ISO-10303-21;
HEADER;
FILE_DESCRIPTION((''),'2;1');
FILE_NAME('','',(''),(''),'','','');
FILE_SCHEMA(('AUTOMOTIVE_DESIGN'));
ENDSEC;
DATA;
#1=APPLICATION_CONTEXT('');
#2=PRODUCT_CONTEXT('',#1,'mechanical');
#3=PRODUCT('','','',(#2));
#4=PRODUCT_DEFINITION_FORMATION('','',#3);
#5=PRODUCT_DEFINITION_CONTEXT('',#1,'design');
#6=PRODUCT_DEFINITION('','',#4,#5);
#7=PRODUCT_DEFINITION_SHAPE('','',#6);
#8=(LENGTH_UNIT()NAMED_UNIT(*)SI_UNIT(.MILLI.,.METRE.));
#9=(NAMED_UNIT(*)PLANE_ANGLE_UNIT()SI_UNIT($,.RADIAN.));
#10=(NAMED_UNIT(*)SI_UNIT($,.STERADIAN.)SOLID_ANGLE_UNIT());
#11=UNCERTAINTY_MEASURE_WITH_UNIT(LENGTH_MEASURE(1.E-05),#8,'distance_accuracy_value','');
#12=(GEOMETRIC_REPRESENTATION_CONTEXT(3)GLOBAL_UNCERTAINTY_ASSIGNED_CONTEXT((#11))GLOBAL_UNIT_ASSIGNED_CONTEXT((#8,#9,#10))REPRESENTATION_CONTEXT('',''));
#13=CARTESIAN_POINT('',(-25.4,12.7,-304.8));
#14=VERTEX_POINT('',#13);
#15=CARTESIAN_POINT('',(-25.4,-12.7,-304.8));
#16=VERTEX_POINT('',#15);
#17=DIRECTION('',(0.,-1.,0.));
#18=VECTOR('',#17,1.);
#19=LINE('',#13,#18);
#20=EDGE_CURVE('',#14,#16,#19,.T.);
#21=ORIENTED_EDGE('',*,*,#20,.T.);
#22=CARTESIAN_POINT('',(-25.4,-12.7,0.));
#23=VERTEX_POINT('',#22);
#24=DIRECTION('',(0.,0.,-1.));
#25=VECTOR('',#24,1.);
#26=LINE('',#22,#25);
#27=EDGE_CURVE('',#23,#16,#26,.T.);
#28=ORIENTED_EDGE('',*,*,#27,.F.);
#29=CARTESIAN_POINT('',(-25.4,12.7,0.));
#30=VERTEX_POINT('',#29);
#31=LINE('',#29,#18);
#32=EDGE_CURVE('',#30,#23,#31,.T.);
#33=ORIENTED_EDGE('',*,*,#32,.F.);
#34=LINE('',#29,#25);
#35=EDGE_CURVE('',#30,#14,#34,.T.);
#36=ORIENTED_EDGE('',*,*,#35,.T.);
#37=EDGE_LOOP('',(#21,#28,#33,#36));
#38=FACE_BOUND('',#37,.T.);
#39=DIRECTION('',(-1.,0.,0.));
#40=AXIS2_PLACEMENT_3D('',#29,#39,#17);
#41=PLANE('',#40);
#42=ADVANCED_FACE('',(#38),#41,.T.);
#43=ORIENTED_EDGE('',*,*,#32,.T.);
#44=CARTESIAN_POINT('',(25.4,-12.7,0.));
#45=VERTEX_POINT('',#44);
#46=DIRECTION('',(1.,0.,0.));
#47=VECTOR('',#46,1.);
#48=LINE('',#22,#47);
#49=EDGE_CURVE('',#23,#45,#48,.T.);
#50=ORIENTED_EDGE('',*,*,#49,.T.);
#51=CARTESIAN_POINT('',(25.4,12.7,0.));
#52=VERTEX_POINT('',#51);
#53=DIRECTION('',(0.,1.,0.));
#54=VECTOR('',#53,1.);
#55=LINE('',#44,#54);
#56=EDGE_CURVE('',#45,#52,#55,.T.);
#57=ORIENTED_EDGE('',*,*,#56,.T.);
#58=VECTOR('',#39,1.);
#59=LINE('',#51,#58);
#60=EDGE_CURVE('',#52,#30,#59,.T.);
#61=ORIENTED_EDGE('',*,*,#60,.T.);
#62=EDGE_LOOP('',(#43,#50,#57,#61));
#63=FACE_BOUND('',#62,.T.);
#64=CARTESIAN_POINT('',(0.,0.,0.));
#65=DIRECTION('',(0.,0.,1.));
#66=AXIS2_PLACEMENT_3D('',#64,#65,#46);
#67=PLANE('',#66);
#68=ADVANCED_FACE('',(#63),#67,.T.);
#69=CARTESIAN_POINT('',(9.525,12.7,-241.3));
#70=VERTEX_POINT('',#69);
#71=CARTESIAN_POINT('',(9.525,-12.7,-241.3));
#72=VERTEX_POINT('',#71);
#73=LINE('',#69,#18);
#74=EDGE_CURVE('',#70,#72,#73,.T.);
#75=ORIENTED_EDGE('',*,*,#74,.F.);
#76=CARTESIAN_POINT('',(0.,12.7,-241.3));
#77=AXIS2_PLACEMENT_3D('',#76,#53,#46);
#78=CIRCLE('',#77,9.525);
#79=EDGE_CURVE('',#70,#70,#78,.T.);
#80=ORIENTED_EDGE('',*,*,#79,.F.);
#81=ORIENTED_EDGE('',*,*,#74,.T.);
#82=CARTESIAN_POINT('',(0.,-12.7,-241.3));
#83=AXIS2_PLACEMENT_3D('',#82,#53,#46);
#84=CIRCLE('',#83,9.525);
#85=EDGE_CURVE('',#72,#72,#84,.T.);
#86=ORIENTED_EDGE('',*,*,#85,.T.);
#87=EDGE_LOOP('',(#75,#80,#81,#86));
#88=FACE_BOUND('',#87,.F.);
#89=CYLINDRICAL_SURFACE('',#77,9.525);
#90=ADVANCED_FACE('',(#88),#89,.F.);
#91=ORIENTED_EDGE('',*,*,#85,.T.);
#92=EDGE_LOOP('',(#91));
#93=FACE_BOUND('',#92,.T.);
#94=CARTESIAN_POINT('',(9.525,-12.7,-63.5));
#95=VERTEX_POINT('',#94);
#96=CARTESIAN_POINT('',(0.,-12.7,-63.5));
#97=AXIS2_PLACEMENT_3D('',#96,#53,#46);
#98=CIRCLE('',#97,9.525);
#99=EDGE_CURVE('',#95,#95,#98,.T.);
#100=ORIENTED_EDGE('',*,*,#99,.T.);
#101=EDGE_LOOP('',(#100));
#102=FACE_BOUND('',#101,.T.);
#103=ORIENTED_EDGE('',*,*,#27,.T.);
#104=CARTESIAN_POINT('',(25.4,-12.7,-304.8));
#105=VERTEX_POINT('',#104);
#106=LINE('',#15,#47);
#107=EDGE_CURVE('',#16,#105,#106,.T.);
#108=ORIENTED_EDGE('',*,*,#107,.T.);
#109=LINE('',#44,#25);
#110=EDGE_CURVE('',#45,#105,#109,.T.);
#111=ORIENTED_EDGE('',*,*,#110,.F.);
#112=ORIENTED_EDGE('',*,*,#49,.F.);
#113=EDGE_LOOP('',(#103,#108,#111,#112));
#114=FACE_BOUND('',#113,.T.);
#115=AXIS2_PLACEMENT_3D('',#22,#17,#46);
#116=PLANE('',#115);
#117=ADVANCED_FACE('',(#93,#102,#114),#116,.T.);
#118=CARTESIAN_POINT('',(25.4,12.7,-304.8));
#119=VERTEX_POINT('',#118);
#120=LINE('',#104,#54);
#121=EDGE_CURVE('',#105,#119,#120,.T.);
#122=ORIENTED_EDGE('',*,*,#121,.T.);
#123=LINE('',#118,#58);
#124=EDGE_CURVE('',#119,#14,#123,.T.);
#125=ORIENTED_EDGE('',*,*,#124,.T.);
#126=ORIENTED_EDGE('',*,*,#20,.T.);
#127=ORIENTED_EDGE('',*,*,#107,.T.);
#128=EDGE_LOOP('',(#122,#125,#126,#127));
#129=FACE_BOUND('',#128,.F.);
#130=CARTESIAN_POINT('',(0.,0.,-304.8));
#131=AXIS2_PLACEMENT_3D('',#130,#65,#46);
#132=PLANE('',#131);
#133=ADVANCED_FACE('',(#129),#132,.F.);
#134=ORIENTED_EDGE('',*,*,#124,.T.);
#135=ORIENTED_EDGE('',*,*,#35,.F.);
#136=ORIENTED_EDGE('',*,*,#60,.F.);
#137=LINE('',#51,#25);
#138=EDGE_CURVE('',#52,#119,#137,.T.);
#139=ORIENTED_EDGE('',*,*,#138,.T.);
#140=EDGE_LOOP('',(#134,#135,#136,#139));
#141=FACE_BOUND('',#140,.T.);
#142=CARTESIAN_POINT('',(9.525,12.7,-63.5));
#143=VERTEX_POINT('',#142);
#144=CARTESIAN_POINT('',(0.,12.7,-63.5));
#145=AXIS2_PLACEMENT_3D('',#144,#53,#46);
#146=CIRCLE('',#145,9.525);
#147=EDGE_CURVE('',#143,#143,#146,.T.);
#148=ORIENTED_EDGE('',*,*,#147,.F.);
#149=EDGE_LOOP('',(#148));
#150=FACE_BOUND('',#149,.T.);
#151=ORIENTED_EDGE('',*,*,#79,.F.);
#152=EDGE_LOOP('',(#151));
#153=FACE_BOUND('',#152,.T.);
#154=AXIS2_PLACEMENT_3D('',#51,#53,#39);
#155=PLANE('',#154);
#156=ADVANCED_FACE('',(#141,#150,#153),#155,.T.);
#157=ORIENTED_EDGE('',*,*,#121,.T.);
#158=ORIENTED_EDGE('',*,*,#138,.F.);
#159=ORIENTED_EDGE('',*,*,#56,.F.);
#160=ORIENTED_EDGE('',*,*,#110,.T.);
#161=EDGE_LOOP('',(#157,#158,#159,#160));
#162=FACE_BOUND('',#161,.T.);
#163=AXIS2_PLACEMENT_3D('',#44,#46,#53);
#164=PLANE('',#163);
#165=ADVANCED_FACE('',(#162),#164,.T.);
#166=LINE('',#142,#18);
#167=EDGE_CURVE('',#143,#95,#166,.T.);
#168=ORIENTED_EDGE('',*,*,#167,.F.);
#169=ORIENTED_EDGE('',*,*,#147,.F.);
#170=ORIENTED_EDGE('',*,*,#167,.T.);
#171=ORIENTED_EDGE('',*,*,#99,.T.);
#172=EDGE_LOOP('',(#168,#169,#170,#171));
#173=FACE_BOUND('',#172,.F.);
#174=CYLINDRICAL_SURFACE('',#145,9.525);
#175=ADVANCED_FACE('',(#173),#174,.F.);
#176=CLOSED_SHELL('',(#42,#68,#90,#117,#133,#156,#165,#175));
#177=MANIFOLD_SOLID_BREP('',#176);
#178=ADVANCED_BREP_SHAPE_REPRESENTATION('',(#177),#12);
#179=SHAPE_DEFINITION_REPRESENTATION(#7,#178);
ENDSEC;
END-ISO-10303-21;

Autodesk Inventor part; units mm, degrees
ref_plane "YZ Plane" through (0, 0, 0) normal (1, 0, 0) x (0, 1, 0)
ref_plane "XZ Plane" through (0, 0, 0) normal (0, 1, 0) x (-1, 0, 0)
ref_plane "XY Plane" through (0, 0, 0) normal (0, 0, 1) x (1, 0, 0)
sketch "Sketch1" plane through (0, 0, 0) normal (0, 0, 1) x (1, 0, 0)
  line L0 (-25.4, -12.7) -> (25.4, -12.7)
  line L1 (25.4, -12.7) -> (25.4, 12.7)
  line L2 (25.4, 12.7) -> (-25.4, 12.7)
  line L3 (-25.4, 12.7) -> (-25.4, -12.7)
  line L4 (-25.4, -12.7) -> (25.4, 12.7) construction
  line L5 (25.4, -12.7) -> (-25.4, 12.7) construction
  point P0 (0, 0)
  dimension "d0" = 25.4
  dimension "d1" = 50.8
extrude "Extrusion1" add sketch "Sketch1" against normal blind 304.8
sketch "Sketch2" plane through (-25.4, 12.7, 0) normal (0, 1, 0) x (1, 0, 0)
  circle A0 centre (25.4, 63.5) radius 9.525
  circle A1 centre (25.4, 241.3) radius 9.525
  line L0 (50.8, 0) -> (0, 0) projected
  line L1 (0, 0) -> (0, 304.8) projected
  point P0 (25.4, 0)
  point P1 (25.4, 0)
  point P2 (0, 152.4)
  dimension "d4" = 177.8
  dimension "d5" = 88.9
  dimension "d6" = 19.05
extrude "Extrusion2" cut sketch "Sketch2" against normal blind 254
properties part number "Metal Bar-1"
